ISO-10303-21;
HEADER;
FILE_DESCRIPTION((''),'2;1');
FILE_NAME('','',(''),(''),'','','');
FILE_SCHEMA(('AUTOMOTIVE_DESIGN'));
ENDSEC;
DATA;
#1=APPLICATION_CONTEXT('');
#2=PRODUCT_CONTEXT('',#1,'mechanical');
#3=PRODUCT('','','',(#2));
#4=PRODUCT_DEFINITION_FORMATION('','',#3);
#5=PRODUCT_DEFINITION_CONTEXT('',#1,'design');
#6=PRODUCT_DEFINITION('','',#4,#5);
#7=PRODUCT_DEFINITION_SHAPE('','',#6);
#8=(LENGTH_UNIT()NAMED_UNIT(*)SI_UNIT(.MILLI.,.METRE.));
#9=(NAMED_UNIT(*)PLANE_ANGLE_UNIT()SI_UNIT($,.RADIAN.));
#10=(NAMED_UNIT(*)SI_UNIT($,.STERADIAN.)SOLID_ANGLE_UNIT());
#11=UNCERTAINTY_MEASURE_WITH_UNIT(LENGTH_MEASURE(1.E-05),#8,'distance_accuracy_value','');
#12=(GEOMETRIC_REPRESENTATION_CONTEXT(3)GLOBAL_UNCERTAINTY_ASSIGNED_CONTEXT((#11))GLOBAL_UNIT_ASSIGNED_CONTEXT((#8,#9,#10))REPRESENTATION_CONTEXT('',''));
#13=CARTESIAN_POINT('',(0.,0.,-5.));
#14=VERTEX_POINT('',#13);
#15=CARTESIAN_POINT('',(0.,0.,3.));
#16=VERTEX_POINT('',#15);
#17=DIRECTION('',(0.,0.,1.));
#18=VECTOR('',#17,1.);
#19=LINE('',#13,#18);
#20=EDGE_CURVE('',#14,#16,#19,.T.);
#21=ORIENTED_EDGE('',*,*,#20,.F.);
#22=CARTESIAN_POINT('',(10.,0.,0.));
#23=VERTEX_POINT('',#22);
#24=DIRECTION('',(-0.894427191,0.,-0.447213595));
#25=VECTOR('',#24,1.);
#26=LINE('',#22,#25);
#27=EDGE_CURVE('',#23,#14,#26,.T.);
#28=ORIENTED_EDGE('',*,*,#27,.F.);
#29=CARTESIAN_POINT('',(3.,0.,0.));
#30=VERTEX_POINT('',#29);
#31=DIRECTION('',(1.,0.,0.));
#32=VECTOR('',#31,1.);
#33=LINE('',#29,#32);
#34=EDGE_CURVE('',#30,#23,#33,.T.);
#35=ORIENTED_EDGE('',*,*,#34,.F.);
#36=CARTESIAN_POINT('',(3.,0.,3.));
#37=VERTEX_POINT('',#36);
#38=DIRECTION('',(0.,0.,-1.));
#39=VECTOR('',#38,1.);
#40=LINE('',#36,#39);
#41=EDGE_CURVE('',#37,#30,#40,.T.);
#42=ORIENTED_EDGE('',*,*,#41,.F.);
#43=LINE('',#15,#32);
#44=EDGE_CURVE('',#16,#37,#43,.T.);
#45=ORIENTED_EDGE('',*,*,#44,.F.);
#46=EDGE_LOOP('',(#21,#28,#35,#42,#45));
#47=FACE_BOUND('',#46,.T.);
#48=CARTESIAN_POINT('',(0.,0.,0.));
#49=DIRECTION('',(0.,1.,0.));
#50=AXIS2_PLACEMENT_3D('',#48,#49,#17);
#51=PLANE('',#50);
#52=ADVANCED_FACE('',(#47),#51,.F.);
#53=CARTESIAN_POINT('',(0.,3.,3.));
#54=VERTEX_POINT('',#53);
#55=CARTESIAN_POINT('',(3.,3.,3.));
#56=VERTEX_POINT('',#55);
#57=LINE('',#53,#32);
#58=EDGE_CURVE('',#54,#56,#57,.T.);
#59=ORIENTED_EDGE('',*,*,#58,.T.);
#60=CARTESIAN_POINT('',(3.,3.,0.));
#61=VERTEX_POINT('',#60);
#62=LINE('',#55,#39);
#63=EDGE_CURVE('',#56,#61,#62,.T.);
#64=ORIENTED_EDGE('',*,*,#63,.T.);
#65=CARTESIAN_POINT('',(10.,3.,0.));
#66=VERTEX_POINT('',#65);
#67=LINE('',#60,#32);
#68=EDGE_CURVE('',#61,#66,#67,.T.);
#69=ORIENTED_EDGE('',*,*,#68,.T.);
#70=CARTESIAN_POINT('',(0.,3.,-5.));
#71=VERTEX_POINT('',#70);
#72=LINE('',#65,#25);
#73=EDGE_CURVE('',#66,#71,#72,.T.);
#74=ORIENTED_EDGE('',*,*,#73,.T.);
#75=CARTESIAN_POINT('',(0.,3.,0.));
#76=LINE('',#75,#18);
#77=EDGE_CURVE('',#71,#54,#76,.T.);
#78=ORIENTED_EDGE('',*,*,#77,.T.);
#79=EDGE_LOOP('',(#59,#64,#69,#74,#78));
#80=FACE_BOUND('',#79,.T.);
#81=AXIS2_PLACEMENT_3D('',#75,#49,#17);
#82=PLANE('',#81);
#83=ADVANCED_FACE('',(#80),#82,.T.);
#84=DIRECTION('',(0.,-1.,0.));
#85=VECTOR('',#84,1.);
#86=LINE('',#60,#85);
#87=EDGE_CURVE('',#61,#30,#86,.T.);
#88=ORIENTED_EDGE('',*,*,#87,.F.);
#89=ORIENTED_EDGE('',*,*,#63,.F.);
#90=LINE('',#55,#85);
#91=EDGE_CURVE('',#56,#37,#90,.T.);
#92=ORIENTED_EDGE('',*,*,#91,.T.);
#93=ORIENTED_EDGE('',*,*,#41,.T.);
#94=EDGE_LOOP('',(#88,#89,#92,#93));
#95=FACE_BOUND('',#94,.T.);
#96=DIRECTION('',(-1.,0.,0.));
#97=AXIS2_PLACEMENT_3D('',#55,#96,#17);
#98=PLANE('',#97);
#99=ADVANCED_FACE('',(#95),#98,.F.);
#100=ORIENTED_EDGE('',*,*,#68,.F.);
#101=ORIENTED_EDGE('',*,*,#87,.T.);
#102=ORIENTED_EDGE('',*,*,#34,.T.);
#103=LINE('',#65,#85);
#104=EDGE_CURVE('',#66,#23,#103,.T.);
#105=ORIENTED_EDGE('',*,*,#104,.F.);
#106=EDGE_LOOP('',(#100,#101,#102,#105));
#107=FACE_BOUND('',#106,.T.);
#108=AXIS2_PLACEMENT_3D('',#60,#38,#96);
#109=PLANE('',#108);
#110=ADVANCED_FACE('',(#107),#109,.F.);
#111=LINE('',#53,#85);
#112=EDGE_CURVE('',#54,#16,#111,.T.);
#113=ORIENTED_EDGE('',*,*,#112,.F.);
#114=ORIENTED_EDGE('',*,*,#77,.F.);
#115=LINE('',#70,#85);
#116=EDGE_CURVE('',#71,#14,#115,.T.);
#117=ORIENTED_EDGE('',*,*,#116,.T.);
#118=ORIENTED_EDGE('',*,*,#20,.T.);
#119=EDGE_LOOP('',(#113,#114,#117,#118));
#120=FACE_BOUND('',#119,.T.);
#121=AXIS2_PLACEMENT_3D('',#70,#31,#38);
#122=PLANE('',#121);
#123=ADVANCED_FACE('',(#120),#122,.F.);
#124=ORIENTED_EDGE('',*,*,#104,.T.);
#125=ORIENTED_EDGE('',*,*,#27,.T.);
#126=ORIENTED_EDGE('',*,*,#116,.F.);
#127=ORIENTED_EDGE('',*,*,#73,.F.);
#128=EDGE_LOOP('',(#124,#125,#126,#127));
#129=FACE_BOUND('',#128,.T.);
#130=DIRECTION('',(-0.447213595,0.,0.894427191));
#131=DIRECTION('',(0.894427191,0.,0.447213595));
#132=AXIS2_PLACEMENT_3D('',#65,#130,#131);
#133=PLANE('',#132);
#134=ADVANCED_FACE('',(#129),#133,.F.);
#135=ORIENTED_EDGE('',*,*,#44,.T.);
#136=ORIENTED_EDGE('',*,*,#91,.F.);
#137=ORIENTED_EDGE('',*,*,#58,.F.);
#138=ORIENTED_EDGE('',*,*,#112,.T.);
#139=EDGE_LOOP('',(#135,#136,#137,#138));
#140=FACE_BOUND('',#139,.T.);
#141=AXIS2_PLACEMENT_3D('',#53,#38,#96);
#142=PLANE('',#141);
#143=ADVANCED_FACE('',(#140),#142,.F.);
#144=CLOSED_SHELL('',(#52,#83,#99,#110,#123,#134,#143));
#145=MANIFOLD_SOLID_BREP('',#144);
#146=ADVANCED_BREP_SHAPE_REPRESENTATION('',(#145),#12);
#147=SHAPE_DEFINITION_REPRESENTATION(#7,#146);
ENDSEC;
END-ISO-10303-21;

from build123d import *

# Parameters (mm, degrees)
BOSS_EXTRUDE1_DEPTH = 3


with BuildPart() as part:
    # Sketch1 → Boss-Extrude1 (new body)
    with BuildSketch(Plane(origin=(0, 0, 0), x_dir=(1, 0, 0), z_dir=(0, 1, 0))):
        Polygon((3, 0), (10, 0), (0, 5), (0, 0), (0, -3), (3, -3), align=None)
    extrude(amount=BOSS_EXTRUDE1_DEPTH)


solid = part.part
